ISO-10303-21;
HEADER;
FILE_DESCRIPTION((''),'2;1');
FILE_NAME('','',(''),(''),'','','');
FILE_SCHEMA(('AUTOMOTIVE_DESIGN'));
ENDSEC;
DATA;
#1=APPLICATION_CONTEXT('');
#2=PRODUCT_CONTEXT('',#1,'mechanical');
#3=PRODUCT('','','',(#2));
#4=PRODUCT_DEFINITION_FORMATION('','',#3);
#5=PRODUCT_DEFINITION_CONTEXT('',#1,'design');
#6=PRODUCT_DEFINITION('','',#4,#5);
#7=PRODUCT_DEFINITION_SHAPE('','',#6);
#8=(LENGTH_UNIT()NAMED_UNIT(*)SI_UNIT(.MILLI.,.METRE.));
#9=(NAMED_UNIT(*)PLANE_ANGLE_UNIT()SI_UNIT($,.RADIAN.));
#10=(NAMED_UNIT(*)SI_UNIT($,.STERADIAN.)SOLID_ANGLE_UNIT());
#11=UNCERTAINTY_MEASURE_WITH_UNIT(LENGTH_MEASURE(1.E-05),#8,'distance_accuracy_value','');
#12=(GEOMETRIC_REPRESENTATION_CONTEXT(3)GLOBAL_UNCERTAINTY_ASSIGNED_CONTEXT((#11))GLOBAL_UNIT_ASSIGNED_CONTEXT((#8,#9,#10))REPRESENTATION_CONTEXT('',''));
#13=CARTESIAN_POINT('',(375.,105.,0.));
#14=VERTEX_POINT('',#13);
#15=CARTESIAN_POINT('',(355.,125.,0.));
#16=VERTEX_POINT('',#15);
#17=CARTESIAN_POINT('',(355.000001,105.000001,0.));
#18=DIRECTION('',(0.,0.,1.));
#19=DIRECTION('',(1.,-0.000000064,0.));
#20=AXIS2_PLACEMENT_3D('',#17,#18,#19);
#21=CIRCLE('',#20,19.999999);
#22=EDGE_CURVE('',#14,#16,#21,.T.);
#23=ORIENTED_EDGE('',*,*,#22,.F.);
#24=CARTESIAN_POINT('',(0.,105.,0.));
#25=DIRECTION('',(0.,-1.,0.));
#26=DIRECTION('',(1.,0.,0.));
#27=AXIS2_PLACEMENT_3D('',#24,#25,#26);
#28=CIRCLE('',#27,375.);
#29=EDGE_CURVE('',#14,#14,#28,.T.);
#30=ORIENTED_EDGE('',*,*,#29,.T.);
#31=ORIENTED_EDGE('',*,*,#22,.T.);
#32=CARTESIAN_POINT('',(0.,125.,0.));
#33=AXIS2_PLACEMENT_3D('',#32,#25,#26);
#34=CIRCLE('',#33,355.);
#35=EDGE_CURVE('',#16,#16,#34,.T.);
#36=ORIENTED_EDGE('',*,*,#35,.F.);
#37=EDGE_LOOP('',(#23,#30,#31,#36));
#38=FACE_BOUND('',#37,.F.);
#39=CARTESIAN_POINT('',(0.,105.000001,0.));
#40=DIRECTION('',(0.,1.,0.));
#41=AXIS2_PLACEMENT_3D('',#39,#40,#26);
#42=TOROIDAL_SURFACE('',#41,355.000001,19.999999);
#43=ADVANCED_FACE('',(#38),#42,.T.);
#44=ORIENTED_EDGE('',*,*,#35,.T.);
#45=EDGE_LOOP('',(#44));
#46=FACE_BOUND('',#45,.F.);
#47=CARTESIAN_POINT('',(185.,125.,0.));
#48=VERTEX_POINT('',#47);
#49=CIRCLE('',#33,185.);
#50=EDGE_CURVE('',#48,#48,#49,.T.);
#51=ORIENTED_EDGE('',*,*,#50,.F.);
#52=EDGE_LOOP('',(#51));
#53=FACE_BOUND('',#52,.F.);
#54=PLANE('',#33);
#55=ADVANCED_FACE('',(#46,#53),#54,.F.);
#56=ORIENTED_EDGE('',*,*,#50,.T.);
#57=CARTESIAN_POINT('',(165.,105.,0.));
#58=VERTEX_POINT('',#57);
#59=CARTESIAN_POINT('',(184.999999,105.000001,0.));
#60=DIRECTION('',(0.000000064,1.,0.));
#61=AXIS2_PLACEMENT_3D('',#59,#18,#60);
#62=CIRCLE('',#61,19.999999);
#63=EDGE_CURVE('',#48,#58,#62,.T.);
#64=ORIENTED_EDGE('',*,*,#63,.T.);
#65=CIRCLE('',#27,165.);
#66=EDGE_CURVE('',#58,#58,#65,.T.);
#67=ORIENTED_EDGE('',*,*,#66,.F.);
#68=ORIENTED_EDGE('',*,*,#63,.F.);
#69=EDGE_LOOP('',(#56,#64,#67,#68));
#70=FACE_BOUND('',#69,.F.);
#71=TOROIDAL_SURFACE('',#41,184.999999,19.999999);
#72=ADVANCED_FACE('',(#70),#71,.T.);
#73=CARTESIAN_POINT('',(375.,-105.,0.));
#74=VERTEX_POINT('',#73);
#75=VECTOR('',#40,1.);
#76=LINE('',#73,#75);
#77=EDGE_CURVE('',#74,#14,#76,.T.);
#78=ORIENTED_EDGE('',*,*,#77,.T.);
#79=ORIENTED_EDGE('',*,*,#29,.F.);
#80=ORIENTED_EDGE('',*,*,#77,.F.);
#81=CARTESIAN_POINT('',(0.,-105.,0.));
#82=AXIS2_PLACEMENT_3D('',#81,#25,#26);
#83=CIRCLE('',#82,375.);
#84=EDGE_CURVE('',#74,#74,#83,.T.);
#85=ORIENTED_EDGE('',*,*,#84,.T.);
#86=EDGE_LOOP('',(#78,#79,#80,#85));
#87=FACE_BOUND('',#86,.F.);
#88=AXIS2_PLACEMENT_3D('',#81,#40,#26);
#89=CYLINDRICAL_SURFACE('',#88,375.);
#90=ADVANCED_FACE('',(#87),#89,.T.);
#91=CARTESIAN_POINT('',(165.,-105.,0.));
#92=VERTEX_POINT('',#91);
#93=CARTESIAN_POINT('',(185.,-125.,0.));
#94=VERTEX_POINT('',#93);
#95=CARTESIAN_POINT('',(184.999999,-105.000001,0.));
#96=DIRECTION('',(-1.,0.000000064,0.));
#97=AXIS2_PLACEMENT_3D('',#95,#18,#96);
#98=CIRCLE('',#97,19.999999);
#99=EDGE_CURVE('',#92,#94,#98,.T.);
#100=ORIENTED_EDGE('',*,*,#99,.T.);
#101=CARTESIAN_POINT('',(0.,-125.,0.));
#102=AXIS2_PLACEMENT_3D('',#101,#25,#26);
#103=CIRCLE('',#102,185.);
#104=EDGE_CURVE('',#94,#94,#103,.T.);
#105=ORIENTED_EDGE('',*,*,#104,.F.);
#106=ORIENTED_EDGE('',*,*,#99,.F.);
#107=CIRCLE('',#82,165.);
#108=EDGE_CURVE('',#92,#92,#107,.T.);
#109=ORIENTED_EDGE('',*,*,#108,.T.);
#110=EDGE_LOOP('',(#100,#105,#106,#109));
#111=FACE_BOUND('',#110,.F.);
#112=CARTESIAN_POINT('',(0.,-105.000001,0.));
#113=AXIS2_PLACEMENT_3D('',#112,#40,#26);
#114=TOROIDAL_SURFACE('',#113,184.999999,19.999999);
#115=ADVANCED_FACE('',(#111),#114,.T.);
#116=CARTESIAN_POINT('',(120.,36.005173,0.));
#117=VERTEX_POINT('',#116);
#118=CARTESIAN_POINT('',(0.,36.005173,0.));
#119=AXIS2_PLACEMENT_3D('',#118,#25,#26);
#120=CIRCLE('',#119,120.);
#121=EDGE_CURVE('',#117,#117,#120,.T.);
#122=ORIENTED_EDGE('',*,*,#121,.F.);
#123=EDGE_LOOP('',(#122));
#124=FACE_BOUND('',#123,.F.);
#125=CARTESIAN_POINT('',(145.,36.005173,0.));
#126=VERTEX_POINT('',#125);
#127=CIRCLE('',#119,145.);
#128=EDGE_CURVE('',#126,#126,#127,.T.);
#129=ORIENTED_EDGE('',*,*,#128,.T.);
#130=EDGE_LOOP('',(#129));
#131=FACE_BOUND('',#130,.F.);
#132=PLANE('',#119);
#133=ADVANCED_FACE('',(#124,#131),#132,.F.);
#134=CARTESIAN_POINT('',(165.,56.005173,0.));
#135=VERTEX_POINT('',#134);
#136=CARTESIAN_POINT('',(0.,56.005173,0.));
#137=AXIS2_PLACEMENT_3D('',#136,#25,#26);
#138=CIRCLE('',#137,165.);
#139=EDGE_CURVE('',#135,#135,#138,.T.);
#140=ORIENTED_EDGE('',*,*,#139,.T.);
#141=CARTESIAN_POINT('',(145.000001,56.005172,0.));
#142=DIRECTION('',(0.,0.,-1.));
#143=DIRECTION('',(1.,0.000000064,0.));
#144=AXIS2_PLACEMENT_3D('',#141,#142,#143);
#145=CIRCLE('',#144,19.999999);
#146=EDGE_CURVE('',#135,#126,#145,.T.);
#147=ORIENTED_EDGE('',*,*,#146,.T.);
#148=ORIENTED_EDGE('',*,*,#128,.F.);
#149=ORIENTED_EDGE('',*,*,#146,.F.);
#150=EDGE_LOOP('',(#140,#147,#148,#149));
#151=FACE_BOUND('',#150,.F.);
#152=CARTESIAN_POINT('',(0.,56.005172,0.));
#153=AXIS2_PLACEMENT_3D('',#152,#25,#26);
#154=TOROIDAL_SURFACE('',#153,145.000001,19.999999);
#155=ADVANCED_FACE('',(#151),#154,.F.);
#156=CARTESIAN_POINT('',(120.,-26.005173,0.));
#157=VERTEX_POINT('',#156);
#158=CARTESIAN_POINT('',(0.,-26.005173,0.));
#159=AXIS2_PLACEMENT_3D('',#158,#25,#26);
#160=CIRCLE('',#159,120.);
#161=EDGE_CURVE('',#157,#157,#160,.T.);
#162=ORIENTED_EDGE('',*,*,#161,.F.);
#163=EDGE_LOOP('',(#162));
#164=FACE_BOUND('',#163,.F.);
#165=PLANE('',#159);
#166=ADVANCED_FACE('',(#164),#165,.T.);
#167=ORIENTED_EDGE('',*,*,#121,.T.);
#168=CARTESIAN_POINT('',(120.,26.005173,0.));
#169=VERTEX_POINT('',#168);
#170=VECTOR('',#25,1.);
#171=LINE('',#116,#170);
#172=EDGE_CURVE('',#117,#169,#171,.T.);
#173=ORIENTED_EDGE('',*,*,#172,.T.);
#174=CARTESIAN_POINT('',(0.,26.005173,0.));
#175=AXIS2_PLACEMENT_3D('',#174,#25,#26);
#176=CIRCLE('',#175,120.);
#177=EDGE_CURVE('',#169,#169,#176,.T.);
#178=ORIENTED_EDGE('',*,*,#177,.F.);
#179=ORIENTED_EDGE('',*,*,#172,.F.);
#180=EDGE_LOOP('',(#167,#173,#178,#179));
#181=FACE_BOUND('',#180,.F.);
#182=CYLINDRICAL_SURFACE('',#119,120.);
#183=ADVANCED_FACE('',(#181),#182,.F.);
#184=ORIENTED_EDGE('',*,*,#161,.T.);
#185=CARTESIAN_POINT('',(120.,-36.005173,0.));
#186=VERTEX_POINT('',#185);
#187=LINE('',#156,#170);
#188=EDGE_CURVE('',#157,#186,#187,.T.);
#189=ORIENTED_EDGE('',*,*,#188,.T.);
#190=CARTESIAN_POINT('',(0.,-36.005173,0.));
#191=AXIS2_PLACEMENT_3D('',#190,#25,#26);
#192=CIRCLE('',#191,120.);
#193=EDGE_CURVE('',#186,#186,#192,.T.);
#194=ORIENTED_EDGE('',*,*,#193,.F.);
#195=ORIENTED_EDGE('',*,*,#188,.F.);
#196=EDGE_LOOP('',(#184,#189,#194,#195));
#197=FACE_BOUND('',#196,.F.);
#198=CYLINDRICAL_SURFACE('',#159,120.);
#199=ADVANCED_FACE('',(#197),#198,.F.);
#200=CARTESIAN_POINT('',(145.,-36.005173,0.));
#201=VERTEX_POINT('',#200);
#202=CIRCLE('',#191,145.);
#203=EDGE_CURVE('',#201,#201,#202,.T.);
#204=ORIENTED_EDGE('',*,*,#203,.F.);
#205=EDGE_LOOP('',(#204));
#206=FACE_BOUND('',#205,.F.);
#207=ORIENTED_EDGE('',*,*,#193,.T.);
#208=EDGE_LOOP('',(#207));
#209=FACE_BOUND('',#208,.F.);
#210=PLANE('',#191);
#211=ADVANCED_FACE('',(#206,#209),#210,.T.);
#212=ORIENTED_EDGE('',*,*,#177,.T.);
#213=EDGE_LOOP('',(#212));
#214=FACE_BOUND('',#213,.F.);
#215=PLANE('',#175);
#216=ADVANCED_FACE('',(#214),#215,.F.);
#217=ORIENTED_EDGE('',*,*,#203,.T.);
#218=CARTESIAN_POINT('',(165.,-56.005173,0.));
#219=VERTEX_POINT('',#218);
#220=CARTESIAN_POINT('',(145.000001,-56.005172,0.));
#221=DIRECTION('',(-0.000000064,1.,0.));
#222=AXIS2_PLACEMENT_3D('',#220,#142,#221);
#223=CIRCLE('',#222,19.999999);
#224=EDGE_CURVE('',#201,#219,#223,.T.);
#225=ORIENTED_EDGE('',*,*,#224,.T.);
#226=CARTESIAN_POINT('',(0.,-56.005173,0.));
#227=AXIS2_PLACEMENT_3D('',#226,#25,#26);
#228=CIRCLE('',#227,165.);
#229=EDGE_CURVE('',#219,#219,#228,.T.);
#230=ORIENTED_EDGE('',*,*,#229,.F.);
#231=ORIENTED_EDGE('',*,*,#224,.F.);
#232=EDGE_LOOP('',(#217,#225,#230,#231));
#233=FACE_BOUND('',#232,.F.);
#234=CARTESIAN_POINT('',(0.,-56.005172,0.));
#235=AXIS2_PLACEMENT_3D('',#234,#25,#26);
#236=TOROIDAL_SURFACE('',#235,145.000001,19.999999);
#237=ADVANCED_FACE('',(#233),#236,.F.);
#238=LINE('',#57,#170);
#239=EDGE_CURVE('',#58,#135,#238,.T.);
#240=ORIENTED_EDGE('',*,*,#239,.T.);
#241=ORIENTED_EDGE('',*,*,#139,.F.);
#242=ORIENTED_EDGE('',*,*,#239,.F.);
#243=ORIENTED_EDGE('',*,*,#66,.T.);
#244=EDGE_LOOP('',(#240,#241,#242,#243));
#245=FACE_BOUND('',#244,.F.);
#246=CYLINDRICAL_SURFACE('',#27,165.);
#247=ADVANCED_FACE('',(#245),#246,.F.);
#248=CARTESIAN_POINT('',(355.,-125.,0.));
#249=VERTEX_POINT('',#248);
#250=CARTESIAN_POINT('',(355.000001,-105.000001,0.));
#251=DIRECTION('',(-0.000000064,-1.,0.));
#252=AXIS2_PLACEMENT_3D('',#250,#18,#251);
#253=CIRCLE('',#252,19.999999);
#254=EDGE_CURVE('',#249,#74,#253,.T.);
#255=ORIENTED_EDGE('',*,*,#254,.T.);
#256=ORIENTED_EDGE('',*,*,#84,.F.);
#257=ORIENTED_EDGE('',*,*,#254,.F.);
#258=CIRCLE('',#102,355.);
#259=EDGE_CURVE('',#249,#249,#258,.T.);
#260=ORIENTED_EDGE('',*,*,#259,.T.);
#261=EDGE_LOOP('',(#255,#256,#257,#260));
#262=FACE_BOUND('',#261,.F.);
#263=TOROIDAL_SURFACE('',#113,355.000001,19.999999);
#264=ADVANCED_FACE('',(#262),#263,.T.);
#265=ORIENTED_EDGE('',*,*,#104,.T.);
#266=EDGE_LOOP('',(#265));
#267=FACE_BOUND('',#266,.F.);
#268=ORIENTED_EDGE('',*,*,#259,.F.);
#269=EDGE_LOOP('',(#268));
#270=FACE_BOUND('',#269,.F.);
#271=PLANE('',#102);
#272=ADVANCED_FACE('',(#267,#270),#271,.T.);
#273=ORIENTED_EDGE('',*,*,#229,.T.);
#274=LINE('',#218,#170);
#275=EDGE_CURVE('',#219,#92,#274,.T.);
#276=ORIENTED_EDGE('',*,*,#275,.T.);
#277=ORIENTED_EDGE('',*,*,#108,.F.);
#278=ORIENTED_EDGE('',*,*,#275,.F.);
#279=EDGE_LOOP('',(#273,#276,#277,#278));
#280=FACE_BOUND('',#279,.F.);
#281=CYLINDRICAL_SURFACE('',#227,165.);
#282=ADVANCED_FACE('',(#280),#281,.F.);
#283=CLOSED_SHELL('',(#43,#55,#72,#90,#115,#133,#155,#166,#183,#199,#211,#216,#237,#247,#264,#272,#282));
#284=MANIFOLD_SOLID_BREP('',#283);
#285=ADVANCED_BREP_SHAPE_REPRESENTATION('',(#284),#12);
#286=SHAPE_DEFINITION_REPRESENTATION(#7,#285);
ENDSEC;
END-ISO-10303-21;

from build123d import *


with BuildPart() as f1:
    # F0 (on Top) → F1 (revolve)
    with BuildSketch(Plane.XY):
        with BuildLine():
            Line((0, 26.005173), (0, -26.005173))
            Line((0, -26.005173), (120, -26.005173))
            Line((120, -26.005173), (120, -36.005173))
            Line((120, -36.005173), (145, -36.005173))
            ThreePointArc((145, -36.005173), (159.142136, -41.863037), (165, -56.005173))
            Line((165, -56.005173), (165, -105))
            ThreePointArc((165, -105), (170.857864, -119.142136), (185, -125))
            Line((185, -125), (355, -125))
            ThreePointArc((355, -125), (369.142136, -119.142136), (375, -105))
            Line((375, -105), (375, 105))
            ThreePointArc((375, 105), (369.142136, 119.142136), (355, 125))
            Line((355, 125), (185, 125))
            ThreePointArc((185, 125), (170.857864, 119.142136), (165, 105))
            Line((165, 105), (165, 56.005173))
            ThreePointArc((165, 56.005173), (159.142136, 41.863037), (145, 36.005173))
            Line((145, 36.005173), (120, 36.005173))
            Line((120, 36.005173), (120, 26.005173))
            Line((120, 26.005173), (0, 26.005173))
        make_face()
    revolve(axis=Axis((0, 0, 0), (0, -1, 0)))


solid = f1.part
